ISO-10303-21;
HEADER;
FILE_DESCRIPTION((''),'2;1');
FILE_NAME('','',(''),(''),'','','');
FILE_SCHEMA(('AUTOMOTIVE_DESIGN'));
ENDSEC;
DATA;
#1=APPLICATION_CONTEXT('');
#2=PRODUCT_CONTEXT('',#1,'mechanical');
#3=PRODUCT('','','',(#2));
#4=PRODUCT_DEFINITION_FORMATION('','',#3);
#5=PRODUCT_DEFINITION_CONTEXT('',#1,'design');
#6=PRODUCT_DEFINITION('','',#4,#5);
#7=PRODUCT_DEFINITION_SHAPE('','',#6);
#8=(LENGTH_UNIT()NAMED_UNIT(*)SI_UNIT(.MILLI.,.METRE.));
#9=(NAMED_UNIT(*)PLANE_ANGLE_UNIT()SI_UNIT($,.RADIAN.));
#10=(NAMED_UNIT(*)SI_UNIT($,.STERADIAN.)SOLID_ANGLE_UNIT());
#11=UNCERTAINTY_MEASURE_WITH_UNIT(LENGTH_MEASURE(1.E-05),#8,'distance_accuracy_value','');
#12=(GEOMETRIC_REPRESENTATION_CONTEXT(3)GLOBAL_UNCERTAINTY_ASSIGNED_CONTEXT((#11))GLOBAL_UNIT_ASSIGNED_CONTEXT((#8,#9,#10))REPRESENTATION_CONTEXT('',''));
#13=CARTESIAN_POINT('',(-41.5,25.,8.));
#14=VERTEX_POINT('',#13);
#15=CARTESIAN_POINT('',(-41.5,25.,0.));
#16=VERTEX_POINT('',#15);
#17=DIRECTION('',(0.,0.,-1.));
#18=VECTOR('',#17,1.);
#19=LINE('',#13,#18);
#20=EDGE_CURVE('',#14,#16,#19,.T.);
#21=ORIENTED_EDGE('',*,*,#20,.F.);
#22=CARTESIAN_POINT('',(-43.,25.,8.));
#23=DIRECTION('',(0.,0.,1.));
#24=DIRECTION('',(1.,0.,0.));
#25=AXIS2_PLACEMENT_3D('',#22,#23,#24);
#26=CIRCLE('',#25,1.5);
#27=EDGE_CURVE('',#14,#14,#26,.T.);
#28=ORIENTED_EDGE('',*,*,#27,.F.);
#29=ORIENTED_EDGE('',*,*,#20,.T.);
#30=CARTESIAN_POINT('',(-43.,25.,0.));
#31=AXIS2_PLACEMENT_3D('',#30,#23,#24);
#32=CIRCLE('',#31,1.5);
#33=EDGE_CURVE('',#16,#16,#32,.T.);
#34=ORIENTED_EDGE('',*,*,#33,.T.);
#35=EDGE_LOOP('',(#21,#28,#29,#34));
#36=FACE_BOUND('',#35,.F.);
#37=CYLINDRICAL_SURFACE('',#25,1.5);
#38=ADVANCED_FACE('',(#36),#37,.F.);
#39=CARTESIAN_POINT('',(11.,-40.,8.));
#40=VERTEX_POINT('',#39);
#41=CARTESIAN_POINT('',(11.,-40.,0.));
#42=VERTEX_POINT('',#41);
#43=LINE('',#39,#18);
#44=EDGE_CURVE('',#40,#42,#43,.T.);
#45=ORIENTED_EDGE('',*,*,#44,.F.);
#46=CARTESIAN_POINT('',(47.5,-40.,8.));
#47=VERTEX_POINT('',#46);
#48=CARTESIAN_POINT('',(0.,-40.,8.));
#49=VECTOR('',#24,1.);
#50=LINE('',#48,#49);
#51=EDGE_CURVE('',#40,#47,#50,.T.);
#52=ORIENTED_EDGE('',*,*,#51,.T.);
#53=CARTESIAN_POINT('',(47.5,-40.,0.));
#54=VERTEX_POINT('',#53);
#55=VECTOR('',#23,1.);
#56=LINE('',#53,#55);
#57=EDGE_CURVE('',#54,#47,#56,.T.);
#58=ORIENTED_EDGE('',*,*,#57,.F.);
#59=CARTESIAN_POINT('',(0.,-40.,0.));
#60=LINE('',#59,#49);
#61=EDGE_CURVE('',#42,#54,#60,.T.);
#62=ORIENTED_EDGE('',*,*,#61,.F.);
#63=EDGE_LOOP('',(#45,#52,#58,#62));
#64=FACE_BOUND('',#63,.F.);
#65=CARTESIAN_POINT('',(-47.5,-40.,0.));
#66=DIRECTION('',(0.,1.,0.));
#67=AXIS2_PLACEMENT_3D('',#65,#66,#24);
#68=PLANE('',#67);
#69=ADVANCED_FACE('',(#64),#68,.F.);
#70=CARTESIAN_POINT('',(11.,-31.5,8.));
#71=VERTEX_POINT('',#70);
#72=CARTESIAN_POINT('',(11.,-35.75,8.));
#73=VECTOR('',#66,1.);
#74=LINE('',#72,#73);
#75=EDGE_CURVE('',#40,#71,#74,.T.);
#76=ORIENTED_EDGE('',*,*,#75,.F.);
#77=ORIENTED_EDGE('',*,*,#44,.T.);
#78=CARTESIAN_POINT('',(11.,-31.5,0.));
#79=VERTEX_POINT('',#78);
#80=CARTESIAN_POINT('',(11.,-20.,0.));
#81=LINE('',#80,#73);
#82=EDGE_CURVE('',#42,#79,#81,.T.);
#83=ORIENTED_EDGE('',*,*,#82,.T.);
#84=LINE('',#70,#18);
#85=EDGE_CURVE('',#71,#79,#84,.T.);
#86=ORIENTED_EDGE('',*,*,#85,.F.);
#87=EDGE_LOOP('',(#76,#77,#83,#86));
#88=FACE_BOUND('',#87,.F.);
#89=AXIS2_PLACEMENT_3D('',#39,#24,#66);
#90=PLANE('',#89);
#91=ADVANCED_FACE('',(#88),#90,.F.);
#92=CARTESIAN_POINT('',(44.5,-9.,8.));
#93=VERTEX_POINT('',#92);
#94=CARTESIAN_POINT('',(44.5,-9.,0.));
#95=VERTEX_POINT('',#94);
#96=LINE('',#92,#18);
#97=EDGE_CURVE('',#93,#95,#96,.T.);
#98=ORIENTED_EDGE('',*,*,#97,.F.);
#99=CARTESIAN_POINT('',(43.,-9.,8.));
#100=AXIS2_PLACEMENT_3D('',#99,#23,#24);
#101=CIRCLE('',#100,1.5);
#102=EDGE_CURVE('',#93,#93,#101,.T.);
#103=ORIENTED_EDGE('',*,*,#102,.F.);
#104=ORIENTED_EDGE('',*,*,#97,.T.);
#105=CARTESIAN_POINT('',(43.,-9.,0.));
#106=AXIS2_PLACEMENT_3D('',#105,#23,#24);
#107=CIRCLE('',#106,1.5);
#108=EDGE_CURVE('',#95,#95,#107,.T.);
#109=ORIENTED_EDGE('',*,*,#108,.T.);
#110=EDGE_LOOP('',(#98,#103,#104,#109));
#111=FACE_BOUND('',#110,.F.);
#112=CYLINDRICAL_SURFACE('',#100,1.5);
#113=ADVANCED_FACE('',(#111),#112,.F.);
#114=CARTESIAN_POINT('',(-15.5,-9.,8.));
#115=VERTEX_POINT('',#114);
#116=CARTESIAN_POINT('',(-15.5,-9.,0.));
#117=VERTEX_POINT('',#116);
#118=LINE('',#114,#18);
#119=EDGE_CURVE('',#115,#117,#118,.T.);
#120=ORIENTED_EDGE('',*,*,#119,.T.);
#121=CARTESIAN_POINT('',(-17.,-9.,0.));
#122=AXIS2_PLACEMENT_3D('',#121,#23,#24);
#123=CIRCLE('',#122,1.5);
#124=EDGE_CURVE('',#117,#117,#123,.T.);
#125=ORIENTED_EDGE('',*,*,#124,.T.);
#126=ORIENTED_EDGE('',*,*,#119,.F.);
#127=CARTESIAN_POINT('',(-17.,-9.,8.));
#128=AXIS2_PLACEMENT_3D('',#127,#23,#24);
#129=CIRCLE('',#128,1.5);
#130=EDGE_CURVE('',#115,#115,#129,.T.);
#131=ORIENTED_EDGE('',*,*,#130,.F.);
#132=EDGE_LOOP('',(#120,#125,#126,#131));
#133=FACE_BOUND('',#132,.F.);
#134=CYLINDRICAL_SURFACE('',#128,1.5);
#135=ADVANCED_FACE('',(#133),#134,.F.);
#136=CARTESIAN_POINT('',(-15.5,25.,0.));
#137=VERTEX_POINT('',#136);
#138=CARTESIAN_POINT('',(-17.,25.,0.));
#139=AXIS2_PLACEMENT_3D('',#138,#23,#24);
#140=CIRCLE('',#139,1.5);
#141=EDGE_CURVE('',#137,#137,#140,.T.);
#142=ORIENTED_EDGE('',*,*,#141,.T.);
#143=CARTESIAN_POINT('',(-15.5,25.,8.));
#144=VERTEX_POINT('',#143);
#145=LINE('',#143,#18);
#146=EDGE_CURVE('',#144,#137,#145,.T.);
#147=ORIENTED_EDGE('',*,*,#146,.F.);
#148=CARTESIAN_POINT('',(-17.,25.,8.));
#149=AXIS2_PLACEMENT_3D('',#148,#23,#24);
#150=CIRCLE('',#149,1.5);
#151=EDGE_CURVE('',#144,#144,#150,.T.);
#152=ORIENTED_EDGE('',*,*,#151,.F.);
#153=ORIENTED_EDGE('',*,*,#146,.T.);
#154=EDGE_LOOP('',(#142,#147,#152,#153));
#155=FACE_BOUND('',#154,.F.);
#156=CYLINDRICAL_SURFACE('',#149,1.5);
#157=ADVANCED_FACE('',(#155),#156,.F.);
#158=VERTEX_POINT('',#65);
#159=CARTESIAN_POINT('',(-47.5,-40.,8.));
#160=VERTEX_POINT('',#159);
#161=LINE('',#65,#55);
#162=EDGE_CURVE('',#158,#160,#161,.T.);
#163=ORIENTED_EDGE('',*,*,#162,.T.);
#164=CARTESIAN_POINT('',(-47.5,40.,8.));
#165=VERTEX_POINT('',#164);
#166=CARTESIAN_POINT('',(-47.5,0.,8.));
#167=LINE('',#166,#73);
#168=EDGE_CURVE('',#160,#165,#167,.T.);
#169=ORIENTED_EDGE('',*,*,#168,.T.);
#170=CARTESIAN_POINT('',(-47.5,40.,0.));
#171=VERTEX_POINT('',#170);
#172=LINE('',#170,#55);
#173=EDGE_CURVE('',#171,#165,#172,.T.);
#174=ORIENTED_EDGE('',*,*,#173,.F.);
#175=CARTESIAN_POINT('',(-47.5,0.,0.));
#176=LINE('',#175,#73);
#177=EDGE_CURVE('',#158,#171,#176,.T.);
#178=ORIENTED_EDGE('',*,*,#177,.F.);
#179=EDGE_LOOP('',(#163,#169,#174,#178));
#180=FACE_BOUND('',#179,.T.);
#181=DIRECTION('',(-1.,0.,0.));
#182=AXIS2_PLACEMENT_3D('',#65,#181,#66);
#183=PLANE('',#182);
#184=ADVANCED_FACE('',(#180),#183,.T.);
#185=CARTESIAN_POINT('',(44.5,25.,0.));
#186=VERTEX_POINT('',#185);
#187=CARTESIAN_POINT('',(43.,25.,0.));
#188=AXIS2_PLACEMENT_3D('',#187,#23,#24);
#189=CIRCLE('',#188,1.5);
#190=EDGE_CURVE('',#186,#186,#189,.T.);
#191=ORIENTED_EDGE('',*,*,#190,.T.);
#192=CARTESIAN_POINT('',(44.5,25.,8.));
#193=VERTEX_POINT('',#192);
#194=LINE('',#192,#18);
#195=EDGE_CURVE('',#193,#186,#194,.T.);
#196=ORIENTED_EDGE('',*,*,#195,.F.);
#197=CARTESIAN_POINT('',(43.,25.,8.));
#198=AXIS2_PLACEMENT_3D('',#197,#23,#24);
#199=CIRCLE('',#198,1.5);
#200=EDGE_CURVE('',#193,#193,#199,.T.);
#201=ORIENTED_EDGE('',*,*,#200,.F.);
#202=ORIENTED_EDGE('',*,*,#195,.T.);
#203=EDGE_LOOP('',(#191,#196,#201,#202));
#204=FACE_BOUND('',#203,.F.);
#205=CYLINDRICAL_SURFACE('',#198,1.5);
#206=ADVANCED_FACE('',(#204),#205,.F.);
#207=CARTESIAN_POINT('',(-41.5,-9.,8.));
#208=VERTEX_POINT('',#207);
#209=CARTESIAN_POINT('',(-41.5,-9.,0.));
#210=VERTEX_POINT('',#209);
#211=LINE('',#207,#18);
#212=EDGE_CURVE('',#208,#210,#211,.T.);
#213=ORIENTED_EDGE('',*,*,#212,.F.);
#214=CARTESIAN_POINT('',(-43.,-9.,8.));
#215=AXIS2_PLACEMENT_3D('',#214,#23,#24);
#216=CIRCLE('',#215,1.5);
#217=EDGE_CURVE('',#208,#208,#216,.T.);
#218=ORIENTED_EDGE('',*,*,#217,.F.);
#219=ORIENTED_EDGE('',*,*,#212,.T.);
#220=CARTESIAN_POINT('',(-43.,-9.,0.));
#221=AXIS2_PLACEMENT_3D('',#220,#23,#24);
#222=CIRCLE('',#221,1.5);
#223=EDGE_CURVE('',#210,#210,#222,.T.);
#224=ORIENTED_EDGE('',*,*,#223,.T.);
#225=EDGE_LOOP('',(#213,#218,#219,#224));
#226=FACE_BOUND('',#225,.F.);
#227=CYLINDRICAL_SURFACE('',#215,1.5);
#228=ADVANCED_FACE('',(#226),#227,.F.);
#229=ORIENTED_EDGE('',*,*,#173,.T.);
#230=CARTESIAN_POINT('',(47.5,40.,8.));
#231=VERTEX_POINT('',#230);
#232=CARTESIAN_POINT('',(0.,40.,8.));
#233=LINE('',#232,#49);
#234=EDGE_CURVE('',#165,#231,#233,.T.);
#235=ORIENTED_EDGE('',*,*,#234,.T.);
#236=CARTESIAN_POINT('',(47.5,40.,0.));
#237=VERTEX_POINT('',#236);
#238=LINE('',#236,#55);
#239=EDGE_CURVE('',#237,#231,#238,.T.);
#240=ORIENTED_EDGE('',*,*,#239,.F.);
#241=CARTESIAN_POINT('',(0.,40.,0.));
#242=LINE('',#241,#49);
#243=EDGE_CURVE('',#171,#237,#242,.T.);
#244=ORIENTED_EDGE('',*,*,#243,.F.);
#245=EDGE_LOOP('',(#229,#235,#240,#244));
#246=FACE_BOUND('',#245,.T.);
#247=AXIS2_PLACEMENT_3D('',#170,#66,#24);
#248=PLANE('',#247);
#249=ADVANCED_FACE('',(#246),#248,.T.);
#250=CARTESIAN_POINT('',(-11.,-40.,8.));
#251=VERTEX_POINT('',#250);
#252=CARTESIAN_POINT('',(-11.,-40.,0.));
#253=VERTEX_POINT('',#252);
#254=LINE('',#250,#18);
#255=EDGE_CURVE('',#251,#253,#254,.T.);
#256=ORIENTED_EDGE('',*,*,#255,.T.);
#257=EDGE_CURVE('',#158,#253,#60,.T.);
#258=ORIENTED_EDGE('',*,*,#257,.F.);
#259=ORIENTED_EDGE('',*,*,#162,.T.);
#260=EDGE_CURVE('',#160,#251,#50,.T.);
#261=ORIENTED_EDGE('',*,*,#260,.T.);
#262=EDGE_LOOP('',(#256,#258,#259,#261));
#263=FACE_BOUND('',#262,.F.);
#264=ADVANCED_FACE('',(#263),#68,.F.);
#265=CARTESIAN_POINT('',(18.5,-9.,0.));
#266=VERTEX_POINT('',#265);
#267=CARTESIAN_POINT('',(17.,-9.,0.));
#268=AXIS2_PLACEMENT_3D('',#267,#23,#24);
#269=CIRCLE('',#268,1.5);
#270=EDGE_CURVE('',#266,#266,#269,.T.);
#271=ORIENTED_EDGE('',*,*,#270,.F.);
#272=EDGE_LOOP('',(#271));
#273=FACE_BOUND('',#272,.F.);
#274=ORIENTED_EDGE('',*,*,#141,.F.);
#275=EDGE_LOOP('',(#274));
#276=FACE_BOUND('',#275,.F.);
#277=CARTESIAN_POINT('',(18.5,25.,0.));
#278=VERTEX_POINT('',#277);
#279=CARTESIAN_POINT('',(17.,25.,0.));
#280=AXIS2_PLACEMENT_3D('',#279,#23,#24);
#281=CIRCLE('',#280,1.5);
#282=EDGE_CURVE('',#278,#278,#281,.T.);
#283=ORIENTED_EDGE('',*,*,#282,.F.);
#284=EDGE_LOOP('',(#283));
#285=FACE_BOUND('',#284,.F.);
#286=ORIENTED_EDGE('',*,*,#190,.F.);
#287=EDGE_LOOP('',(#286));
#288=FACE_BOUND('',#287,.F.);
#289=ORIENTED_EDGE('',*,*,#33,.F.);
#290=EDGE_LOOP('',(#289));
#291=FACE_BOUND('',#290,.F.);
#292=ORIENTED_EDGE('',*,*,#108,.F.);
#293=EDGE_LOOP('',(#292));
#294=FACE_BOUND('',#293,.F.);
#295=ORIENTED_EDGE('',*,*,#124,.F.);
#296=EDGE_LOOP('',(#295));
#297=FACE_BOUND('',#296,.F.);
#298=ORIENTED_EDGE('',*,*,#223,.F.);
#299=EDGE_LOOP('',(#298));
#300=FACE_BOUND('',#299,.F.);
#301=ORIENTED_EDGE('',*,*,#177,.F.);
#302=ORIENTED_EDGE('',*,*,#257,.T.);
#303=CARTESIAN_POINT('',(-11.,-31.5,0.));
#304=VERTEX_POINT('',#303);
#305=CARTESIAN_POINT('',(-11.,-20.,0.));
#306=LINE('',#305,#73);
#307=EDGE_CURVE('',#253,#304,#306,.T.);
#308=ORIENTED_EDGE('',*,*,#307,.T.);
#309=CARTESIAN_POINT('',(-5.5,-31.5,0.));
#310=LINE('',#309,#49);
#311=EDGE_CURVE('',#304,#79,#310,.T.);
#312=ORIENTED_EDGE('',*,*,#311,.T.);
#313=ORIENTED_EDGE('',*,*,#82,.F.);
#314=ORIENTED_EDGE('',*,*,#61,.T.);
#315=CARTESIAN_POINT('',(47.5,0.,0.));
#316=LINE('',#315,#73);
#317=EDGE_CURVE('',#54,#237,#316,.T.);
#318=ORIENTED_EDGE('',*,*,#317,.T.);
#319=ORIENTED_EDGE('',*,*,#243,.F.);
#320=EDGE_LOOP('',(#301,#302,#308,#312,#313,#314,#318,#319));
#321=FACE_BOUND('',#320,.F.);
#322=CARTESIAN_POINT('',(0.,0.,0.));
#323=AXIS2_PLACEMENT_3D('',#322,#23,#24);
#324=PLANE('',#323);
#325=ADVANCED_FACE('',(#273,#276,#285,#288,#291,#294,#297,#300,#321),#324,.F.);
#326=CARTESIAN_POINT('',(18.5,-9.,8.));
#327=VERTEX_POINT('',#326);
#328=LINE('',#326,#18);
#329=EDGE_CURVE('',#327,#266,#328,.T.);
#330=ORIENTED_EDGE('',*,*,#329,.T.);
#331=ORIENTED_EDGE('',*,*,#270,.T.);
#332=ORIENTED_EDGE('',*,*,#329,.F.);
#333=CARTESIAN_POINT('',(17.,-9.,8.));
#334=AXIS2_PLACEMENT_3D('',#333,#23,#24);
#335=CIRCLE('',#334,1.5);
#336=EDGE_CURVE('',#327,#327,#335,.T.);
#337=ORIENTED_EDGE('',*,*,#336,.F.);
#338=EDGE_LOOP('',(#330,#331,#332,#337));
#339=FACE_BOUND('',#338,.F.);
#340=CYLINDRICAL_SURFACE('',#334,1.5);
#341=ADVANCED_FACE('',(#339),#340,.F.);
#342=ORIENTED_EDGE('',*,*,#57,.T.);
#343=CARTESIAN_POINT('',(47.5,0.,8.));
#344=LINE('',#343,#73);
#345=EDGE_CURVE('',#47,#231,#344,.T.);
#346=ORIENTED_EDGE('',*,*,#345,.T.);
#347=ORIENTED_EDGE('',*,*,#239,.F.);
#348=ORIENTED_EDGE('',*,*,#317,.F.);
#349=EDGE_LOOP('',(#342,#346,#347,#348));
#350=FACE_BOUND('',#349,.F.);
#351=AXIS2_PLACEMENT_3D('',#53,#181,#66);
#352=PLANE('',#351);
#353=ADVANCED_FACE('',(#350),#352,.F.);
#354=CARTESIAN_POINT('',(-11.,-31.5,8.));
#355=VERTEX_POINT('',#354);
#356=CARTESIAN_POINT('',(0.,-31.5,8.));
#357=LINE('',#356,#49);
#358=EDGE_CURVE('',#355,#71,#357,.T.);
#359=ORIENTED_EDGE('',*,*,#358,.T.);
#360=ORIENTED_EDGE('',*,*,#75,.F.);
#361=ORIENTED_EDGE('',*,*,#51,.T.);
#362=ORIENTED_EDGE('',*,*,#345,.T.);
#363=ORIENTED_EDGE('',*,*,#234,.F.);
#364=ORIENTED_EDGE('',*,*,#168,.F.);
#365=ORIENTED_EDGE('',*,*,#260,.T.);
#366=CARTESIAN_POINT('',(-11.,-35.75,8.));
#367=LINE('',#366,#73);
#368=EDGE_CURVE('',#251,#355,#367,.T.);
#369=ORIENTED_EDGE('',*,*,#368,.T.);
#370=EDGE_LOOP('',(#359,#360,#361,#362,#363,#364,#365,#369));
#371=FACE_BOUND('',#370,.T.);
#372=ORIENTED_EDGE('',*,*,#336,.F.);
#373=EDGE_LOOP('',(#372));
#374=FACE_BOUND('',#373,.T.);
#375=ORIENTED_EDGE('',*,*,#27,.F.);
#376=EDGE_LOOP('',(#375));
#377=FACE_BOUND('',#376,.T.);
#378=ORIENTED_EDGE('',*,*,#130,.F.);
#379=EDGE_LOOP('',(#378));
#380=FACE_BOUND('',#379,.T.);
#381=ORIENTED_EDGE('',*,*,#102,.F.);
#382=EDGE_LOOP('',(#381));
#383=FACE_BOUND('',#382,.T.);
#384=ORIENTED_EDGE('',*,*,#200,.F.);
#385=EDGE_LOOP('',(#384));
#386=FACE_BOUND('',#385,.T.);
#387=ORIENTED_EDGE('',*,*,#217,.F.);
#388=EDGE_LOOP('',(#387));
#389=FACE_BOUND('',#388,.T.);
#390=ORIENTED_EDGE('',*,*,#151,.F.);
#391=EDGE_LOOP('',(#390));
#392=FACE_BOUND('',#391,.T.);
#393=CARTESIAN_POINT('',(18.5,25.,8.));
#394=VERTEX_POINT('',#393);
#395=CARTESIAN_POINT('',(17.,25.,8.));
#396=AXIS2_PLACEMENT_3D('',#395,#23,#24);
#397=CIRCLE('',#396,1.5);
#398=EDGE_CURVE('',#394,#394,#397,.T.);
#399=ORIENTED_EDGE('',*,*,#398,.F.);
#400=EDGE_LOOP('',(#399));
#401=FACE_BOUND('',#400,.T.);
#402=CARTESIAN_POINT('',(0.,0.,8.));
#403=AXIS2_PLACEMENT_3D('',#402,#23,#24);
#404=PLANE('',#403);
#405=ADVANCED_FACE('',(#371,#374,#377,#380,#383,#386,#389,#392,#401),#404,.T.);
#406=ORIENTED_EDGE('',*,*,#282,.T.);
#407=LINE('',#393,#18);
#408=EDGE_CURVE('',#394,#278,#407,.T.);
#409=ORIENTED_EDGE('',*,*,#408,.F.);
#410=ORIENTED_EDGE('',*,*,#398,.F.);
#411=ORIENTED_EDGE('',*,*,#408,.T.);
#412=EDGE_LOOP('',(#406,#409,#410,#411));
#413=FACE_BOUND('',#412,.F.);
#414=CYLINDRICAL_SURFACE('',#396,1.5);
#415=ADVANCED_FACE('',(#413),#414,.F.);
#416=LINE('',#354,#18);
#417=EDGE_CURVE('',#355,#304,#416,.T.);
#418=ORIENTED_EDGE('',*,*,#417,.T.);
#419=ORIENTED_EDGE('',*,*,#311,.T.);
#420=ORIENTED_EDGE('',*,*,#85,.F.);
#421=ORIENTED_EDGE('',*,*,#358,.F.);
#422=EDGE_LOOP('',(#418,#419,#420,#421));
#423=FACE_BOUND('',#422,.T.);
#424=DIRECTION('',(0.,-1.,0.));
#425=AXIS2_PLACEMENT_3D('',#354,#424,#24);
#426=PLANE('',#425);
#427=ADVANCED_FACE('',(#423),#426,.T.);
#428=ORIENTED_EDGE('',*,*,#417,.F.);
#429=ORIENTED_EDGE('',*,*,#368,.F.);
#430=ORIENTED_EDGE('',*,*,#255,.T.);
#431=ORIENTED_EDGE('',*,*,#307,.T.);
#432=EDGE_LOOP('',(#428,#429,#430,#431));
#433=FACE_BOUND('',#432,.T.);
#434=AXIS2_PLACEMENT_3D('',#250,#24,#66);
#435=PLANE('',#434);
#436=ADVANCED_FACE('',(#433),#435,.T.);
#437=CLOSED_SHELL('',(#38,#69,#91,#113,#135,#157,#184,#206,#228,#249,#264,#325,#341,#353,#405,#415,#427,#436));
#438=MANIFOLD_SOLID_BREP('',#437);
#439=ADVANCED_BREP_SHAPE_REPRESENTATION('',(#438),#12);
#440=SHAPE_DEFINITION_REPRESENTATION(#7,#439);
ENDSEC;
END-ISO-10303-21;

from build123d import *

# Parameters (mm, degrees)
SKETCH_W     = 95
SKETCH_H     = 80
PAD_DEPTH    = 8
SKETCH001_R  = 1.5
SKETCH001_W  = 22
SKETCH001_H  = 8.5
POCKET_DEPTH = 8.001


with BuildPart() as part:
    # Sketch → Pad (new body)
    with BuildSketch(Plane.XY):
        Rectangle(SKETCH_W, SKETCH_H)
    extrude(amount=PAD_DEPTH)

    # Sketch001 (on Face6 of Pad) → Pocket (cut, through all)
    with BuildSketch(Plane.XY.offset(8)):
        with Locations((-43, 25)):
            Circle(SKETCH001_R)
        with Locations((-17, 25)):
            Circle(SKETCH001_R)
        with Locations((-17, -9)):
            Circle(SKETCH001_R)
        with Locations((-43, -9)):
            Circle(SKETCH001_R)
        with Locations((17, 25)):
            Circle(SKETCH001_R)
        with Locations((43, 25)):
            Circle(SKETCH001_R)
        with Locations((43, -9)):
            Circle(SKETCH001_R)
        with Locations((17, -9)):
            Circle(SKETCH001_R)
        with Locations((0, -35.75)):
            Rectangle(SKETCH001_W, SKETCH001_H)
    extrude(amount=-POCKET_DEPTH, mode=Mode.SUBTRACT)


solid = part.part
